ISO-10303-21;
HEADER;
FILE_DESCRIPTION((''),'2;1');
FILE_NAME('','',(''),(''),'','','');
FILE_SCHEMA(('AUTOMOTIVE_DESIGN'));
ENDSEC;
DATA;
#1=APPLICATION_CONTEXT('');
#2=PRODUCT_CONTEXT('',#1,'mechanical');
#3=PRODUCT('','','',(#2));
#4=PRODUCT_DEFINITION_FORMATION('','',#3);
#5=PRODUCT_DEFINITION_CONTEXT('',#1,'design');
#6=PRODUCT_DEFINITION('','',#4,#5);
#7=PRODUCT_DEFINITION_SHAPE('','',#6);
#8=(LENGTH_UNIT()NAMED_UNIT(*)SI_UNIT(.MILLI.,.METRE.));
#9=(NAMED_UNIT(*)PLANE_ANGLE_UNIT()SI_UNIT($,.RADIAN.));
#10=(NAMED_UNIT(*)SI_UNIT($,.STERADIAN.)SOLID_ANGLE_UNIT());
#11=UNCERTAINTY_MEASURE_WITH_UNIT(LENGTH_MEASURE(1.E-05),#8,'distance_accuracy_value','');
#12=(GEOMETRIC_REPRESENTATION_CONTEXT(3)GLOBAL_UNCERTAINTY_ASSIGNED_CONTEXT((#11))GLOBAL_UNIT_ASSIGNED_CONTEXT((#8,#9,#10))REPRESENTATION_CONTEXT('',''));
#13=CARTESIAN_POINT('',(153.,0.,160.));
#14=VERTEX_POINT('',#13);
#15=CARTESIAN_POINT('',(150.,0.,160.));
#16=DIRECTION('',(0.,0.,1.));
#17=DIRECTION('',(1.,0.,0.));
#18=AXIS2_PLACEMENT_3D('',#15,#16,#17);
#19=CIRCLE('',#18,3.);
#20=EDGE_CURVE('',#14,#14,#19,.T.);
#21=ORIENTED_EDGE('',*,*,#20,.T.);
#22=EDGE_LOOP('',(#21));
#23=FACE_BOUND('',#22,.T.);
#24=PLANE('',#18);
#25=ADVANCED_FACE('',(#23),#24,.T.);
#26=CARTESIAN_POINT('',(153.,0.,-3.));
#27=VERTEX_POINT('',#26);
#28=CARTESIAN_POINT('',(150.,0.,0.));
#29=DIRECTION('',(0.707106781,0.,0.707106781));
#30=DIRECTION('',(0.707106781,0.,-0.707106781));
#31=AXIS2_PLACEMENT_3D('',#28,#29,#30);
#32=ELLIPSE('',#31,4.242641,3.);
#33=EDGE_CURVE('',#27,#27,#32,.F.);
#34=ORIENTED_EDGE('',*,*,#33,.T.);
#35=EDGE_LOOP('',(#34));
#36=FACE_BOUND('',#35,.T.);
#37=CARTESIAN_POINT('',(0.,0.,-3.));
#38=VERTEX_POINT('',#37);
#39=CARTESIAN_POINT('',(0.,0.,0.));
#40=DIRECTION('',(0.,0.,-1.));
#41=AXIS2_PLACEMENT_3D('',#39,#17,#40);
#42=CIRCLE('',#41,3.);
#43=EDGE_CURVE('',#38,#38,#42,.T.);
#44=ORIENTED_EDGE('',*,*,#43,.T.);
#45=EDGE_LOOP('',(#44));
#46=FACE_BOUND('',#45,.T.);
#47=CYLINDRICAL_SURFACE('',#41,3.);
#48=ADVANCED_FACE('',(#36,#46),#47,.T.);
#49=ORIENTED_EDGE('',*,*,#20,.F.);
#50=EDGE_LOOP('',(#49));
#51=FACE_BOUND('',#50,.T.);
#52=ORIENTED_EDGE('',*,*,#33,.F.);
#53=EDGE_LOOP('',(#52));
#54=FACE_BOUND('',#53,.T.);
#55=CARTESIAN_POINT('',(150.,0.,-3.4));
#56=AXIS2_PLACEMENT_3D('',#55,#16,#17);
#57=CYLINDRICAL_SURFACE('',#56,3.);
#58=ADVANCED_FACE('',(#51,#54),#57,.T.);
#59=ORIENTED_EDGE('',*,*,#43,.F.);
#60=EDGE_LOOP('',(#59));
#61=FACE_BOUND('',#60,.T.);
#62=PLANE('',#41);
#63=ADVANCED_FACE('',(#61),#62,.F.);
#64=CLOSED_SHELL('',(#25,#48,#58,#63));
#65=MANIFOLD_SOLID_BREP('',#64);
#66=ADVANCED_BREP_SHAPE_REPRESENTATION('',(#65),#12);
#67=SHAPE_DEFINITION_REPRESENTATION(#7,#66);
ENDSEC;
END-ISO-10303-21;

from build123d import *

# Parameters (mm, degrees)
SKETCH2_R = 3


with BuildPart() as part:
    # Sweep1: sweep along a path in Sketch1
    with BuildLine(Plane(origin=(0, 0, 0), x_dir=(1, 0, 0), z_dir=(0, 1, 0))) as sweep1_path:
        Line((0, 0), (150, 0))
        Line((150, 0), (150, -160))
    # Sketch2 → Sweep1 (sweep)
    with BuildSketch(Plane(origin=(0, 0, 0), x_dir=(0, 0, -1), z_dir=(1, 0, 0))):
        Circle(SKETCH2_R)
    sweep(path=sweep1_path.line, transition=Transition.RIGHT)


solid = part.part
